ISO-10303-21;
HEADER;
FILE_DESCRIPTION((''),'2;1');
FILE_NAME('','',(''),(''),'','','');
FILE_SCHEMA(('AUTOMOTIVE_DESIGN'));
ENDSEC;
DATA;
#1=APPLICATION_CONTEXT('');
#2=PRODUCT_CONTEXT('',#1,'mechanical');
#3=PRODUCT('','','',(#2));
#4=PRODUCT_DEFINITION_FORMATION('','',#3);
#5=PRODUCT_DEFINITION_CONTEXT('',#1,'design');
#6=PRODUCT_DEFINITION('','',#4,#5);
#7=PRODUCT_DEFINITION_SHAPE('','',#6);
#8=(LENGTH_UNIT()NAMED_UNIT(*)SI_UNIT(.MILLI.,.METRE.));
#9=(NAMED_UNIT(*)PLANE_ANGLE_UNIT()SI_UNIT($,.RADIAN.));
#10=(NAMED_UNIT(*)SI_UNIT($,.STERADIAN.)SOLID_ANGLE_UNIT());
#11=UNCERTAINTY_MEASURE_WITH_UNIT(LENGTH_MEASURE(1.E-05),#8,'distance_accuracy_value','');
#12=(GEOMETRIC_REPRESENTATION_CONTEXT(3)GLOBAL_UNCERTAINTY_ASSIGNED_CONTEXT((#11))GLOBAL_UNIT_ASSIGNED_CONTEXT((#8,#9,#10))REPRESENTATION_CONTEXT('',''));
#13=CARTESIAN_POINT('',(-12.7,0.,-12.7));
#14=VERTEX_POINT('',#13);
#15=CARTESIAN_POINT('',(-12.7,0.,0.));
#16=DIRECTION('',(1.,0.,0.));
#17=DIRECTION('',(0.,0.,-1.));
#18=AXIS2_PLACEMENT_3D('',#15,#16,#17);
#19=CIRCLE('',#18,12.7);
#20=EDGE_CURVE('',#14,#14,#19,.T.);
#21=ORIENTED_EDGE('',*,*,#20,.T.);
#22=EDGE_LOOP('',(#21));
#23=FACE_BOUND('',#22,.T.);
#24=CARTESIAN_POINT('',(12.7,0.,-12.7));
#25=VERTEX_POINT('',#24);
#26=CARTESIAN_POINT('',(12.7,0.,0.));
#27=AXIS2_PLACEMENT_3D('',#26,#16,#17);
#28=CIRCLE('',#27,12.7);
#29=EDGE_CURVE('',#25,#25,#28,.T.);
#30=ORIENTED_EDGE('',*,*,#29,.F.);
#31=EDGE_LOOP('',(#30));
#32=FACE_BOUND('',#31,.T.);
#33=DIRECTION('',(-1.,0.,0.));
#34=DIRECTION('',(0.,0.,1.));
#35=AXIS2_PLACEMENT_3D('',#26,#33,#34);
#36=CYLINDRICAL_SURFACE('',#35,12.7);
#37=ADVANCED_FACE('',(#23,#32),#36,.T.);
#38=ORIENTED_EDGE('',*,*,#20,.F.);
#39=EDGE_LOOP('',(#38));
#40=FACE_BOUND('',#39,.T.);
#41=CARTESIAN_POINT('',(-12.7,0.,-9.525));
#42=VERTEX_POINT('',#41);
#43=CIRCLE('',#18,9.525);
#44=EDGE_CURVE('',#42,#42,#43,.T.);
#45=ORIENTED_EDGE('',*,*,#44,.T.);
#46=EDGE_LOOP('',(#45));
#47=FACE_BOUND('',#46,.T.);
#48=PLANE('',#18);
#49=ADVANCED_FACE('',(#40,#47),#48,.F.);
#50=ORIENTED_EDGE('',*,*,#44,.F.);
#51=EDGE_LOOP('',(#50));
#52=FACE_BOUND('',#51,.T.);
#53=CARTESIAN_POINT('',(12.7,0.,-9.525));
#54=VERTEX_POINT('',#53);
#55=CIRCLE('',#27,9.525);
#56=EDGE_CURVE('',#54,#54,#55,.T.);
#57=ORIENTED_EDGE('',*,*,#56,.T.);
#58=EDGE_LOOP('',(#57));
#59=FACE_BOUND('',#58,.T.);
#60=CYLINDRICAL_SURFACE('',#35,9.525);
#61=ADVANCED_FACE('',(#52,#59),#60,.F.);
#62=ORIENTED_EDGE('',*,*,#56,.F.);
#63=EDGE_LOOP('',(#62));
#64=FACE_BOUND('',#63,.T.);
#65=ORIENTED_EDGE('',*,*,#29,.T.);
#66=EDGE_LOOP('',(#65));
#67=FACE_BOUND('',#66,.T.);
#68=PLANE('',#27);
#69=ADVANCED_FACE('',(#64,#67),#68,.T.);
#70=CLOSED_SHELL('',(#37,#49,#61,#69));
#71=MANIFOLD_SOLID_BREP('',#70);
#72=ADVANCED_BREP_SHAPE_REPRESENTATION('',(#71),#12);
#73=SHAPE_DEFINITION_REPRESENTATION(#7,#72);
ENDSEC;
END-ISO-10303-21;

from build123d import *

# Parameters (mm, degrees)
SKETCH1_R           = 12.7
SKETCH1_R_2         = 9.525
BOSS_EXTRUDE1_DEPTH = 12.7


with BuildPart() as part:
    # Sketch1 → Boss-Extrude1 (new body, symmetric)
    with BuildSketch(Plane(origin=(0, 0, 0), x_dir=(0, 0, -1), z_dir=(1, 0, 0))):
        Circle(SKETCH1_R)
        Circle(SKETCH1_R_2, mode=Mode.SUBTRACT)
    extrude(amount=BOSS_EXTRUDE1_DEPTH, both=True)


solid = part.part
